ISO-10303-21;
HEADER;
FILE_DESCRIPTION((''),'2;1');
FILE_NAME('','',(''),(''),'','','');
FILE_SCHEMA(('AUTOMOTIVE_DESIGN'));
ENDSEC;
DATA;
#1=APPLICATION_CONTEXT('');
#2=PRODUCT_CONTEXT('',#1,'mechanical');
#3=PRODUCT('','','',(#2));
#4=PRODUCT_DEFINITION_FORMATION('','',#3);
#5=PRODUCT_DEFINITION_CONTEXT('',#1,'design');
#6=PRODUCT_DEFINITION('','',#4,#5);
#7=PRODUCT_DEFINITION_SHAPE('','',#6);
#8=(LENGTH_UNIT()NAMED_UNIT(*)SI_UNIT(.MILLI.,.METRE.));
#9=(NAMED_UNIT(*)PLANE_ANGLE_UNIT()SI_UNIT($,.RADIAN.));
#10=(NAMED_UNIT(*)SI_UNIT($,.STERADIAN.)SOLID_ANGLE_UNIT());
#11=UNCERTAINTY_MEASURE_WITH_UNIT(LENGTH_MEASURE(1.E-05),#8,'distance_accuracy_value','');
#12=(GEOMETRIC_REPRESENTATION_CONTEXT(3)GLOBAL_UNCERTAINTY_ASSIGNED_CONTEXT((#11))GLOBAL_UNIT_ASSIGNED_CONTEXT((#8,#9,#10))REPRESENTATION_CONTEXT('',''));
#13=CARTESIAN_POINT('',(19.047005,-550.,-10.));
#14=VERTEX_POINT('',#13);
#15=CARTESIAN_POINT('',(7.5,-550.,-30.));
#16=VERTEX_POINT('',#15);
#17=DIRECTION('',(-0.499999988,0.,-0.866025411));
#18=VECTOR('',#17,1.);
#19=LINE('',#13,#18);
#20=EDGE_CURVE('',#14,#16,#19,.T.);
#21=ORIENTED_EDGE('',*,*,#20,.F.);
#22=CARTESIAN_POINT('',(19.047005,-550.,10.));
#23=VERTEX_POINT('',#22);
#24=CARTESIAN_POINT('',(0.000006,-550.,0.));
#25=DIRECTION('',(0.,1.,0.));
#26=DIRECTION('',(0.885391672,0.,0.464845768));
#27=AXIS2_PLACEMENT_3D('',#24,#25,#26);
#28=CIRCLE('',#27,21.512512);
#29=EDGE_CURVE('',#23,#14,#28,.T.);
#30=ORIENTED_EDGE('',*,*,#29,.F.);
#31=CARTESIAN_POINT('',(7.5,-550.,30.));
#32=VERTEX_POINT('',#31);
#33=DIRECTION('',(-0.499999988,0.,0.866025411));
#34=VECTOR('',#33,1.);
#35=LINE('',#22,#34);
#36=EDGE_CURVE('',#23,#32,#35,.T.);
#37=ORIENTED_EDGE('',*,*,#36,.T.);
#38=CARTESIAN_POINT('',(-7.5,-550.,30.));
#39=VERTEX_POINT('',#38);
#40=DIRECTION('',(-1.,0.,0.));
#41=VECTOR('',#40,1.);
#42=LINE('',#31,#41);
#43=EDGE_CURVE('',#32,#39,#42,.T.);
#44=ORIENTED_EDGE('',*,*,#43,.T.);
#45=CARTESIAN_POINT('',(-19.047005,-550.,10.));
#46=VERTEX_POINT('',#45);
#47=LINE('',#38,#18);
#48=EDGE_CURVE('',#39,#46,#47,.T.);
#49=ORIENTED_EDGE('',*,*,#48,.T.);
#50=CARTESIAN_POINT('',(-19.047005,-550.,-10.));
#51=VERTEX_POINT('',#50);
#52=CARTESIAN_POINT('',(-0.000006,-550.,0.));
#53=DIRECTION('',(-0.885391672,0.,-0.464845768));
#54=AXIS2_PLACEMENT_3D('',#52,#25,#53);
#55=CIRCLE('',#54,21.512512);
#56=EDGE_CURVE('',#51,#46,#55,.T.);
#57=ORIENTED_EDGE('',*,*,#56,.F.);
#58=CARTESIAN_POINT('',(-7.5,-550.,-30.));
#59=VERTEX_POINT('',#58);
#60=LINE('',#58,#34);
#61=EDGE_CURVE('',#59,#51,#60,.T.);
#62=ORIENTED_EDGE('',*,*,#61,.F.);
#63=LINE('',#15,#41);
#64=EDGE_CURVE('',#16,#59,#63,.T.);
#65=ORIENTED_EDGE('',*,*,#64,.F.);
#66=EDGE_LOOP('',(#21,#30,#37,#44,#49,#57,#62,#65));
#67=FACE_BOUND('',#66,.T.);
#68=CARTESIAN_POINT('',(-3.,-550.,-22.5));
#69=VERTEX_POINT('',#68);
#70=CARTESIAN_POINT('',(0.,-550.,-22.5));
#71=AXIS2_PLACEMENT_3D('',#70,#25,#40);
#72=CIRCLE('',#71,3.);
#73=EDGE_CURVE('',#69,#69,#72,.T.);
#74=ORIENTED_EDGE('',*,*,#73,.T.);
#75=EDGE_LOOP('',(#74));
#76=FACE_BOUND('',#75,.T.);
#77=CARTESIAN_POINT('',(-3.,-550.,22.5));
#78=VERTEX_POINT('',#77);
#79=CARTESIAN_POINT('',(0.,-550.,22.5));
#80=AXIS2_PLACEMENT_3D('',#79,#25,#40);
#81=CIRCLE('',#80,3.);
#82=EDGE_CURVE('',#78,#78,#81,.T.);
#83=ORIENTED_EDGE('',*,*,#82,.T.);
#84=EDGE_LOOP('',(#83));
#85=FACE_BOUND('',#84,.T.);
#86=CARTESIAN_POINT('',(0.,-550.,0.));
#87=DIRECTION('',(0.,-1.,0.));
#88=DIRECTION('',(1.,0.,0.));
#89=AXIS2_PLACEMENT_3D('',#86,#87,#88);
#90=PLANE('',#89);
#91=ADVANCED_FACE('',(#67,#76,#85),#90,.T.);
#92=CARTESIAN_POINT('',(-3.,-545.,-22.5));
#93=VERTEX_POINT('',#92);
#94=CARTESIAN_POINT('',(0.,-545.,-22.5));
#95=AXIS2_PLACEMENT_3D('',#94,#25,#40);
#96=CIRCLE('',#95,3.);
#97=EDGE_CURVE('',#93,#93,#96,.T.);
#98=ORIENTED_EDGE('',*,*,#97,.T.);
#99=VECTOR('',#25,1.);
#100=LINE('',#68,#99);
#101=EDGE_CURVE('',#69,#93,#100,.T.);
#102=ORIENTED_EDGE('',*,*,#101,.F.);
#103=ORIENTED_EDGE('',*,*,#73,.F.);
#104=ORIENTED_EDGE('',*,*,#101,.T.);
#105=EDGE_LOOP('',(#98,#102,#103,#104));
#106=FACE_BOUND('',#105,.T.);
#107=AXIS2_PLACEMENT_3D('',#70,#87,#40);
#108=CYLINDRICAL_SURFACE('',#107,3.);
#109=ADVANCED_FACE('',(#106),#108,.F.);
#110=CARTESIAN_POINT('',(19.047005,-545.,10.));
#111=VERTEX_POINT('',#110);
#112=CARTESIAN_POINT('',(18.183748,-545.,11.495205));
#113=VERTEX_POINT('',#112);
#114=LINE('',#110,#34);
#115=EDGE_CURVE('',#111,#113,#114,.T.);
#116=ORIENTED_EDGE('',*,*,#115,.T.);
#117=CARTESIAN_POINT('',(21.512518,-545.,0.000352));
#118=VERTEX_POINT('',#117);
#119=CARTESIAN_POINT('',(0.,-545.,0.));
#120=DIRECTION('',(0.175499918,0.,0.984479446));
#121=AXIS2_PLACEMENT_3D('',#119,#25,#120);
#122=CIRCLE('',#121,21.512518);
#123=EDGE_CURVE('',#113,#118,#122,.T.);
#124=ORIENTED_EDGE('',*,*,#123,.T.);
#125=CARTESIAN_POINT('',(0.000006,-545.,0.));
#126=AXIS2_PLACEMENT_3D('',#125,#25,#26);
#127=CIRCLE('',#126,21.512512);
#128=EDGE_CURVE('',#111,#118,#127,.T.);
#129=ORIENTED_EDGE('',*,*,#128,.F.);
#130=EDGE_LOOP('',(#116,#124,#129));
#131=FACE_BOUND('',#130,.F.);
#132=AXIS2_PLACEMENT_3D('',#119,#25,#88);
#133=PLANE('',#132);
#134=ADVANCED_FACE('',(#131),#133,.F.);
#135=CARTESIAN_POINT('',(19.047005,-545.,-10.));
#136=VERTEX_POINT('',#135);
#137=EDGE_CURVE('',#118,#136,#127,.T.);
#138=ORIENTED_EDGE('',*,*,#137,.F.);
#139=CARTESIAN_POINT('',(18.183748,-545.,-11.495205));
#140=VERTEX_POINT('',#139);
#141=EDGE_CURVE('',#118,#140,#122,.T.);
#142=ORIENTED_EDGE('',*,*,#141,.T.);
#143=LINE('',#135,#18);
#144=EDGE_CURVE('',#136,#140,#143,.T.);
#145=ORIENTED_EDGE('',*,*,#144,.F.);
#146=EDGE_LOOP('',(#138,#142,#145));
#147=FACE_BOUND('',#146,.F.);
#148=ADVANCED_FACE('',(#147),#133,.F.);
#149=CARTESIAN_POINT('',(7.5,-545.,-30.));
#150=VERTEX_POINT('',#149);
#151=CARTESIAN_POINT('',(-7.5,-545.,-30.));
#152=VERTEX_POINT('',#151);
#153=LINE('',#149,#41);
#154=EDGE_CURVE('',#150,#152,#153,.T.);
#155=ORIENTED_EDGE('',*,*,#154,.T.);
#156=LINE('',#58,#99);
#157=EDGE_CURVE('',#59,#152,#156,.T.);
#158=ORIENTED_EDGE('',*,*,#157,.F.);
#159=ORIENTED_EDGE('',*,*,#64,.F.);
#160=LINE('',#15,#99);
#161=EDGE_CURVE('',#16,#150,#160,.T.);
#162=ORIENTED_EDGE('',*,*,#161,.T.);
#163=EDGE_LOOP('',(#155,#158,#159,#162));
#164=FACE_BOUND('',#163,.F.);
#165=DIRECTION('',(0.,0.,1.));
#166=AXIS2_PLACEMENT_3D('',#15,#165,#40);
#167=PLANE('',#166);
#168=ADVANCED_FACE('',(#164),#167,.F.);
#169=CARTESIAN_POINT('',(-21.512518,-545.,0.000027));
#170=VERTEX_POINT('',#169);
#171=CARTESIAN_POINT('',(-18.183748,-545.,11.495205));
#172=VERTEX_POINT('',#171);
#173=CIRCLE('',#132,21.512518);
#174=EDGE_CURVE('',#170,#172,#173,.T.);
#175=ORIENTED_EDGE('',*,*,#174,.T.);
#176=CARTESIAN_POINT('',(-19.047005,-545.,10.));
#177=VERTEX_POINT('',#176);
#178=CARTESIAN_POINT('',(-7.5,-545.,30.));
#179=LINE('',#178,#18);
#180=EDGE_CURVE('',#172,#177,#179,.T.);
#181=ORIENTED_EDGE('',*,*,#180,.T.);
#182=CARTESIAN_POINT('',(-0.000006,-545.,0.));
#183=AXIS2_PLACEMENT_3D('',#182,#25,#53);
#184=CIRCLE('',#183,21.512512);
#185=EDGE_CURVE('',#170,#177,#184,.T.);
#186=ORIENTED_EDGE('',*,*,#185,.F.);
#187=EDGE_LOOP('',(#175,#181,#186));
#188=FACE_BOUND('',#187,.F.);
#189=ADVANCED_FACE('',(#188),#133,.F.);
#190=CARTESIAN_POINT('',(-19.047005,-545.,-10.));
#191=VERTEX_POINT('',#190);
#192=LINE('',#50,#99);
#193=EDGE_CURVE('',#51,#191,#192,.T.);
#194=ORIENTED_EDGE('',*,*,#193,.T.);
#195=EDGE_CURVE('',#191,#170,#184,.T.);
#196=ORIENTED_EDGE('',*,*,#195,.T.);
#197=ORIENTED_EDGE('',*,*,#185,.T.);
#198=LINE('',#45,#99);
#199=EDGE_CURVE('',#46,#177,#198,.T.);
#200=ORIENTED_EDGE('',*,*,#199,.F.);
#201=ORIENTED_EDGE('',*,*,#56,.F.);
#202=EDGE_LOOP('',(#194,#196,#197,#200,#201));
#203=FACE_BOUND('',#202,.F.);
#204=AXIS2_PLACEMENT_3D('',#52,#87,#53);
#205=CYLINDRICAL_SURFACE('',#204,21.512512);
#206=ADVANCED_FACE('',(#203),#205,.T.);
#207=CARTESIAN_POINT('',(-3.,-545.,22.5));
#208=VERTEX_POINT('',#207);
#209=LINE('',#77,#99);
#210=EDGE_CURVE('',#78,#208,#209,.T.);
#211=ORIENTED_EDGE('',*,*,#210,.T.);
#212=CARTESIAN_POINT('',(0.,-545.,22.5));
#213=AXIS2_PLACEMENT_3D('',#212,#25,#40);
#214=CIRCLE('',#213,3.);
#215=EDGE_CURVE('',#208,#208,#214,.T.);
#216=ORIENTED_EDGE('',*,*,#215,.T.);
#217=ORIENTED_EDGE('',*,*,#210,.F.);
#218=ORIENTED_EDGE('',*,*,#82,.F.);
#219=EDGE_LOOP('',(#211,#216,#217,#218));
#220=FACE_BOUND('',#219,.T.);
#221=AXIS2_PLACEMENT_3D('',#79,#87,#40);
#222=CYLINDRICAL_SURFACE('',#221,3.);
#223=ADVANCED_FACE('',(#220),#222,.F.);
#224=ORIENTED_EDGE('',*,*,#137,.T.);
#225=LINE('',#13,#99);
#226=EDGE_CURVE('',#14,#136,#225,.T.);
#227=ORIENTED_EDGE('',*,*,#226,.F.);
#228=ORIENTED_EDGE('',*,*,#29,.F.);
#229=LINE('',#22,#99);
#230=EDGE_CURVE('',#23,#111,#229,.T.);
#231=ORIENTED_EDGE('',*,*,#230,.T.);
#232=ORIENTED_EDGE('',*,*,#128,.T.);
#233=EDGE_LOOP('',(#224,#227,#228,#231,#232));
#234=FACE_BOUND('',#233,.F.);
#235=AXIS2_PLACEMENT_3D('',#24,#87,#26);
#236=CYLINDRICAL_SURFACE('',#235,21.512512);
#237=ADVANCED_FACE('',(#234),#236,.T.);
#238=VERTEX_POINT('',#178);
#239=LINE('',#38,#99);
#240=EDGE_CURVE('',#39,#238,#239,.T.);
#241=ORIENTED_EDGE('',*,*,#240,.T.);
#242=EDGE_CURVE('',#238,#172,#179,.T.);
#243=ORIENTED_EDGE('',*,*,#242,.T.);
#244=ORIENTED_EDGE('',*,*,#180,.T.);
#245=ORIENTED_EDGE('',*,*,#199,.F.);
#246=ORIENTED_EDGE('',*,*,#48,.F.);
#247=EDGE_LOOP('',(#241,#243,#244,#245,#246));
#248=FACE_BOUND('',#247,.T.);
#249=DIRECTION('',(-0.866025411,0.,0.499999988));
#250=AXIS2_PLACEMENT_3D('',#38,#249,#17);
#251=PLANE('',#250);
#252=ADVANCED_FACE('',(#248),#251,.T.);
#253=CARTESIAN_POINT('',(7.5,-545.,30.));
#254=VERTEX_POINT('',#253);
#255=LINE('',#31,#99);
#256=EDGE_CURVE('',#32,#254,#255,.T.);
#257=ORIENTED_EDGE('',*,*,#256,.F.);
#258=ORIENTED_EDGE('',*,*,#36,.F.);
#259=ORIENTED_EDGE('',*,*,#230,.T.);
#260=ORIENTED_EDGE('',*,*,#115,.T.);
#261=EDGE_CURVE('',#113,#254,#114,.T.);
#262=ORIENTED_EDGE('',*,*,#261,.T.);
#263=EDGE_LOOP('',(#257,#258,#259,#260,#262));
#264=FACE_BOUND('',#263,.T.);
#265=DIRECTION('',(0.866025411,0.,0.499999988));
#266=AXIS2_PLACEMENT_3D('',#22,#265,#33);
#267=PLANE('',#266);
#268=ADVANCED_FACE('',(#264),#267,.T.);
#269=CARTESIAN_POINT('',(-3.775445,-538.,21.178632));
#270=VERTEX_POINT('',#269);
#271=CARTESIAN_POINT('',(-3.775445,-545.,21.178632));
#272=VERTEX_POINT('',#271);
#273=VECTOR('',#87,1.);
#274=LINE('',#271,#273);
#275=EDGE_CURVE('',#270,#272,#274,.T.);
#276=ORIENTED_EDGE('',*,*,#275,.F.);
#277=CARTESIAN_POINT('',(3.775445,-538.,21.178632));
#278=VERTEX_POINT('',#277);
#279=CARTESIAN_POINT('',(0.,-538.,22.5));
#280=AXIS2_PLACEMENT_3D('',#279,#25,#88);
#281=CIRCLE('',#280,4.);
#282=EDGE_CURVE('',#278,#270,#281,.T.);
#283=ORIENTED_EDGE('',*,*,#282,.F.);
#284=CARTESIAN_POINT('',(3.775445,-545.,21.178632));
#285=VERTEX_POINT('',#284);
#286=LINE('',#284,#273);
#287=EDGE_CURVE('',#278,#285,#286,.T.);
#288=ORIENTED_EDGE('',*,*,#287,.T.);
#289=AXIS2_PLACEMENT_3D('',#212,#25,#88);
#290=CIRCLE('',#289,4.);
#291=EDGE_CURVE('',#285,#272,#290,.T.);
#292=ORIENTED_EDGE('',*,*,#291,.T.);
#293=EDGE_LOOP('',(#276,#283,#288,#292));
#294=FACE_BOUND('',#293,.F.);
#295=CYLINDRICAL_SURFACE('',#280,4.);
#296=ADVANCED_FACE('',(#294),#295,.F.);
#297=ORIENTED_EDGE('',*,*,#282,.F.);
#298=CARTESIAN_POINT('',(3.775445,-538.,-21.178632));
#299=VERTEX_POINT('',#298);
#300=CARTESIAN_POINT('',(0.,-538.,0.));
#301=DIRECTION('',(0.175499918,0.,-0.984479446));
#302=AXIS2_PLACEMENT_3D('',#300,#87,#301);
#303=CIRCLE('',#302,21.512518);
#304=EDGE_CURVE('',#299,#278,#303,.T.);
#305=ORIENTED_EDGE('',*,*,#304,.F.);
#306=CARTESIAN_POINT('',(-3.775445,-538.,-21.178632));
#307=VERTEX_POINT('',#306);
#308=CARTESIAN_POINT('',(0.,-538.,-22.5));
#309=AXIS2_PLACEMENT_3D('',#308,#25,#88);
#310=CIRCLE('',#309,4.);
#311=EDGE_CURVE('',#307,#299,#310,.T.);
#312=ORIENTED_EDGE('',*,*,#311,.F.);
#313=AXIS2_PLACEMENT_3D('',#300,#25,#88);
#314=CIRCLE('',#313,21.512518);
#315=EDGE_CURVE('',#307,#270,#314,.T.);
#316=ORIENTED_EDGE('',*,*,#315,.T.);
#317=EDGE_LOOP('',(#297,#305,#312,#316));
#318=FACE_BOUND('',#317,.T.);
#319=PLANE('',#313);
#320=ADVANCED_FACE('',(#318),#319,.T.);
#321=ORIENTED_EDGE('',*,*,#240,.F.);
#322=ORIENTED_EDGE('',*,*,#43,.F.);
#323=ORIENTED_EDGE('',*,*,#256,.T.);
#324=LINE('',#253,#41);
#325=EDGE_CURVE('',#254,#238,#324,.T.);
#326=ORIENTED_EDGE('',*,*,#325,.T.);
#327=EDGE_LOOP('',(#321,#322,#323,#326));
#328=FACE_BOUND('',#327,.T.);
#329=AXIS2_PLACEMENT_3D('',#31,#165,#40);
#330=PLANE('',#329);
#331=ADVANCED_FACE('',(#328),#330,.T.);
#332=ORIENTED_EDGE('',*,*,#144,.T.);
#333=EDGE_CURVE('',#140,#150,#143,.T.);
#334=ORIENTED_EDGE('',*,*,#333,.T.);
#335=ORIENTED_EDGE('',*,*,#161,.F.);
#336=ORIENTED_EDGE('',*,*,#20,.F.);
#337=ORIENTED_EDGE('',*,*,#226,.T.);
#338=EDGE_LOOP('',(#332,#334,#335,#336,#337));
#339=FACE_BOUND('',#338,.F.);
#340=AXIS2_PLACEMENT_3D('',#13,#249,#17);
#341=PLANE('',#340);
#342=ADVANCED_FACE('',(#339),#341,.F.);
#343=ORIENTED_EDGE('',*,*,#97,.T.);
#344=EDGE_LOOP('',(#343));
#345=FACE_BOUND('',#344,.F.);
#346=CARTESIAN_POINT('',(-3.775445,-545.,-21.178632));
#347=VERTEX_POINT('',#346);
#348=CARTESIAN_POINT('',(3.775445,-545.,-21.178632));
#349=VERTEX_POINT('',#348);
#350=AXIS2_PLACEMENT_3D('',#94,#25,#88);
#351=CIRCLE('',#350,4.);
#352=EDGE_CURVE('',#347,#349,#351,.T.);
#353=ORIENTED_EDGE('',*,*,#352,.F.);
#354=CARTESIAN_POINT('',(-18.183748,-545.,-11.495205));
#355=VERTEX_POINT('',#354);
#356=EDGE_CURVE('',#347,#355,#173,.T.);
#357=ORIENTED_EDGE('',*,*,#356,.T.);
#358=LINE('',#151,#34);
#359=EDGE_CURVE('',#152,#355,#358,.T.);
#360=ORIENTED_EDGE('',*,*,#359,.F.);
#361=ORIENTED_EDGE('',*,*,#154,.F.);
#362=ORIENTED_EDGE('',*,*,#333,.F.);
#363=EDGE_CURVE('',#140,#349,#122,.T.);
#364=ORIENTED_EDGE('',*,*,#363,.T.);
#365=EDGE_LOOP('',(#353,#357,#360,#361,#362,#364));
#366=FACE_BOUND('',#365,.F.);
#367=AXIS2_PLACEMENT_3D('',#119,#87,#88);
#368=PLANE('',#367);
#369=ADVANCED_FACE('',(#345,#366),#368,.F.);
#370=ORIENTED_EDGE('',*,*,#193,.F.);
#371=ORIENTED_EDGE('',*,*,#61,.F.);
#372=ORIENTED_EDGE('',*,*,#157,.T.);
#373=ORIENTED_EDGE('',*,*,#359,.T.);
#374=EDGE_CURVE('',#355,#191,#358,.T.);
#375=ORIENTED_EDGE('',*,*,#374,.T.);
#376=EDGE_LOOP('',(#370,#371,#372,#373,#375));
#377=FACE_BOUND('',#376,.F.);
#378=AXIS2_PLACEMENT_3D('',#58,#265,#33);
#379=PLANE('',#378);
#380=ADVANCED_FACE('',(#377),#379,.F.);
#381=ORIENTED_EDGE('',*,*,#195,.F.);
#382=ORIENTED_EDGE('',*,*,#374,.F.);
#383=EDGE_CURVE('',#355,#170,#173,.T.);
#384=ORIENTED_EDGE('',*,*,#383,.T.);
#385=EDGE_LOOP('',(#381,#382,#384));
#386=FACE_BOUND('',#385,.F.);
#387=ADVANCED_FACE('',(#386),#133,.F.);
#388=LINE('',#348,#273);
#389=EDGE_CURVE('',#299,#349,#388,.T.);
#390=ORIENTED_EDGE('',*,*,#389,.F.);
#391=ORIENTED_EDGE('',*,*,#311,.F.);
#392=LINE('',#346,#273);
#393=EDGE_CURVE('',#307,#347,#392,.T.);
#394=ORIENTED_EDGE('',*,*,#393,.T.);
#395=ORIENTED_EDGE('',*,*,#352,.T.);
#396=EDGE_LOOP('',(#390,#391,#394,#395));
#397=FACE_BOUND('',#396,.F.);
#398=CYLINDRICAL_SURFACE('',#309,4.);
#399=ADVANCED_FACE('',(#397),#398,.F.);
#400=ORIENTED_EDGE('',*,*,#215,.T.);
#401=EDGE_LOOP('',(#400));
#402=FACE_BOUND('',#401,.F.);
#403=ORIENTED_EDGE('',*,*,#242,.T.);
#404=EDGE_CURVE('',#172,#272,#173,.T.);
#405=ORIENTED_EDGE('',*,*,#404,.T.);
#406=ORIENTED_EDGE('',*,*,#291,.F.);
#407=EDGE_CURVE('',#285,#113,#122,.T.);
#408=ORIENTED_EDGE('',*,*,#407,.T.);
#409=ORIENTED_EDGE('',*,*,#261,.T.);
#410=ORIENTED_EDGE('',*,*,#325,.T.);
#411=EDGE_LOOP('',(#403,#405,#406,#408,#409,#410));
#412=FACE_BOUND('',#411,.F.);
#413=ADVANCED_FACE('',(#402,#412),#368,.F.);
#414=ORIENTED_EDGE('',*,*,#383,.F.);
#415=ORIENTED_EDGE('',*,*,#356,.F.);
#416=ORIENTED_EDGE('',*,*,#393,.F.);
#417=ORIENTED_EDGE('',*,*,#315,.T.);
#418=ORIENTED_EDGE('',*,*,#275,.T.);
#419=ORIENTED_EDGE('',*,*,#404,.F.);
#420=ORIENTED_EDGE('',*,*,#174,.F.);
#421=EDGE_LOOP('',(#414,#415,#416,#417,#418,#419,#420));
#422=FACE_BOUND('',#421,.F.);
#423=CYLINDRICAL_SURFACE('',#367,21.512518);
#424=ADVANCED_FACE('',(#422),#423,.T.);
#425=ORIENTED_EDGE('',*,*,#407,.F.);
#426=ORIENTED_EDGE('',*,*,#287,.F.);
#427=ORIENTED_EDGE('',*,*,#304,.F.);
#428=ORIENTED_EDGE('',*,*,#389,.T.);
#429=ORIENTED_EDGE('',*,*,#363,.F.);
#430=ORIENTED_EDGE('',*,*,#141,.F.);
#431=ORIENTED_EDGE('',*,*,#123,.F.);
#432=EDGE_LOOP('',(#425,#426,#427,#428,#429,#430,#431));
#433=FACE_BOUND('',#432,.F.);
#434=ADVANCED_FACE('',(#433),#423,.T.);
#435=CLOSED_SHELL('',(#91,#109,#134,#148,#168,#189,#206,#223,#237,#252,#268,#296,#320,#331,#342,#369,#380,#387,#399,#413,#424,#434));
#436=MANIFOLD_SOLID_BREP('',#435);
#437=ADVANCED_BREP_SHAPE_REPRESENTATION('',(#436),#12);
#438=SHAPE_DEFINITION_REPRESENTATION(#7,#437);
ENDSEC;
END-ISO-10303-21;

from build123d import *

# Parameters (mm, degrees)
SKETCH016_R      = 4
EXTRUDE016_DEPTH = 10
SKETCH015_R      = 21.512518
EXTRUDE015_DEPTH = 7
SKETCH014_R      = 3
EXTRUDE014_DEPTH = 5


with BuildPart() as extrude016:
    # Sketch016 → Extrude016 (new body)
    with BuildSketch(Plane(origin=(0, -538, -28), x_dir=(1, 0, 0), z_dir=(0, 1, 0))):
        with Locations((0, -22.5)):
            Circle(SKETCH016_R)
        with Locations((0, 22.5)):
            Circle(SKETCH016_R)
    extrude(amount=-EXTRUDE016_DEPTH)


with BuildPart() as cut007:
    # Sketch015 → Extrude015 (new body)
    with BuildSketch(Plane(origin=(0, -545, -28), x_dir=(1, 0, 0), z_dir=(0, 1, 0))):
        Circle(SKETCH015_R)
    extrude(amount=EXTRUDE015_DEPTH)

    # Cut007: cut Extrude016
    add(extrude016.part, mode=Mode.SUBTRACT)


with BuildPart() as fusion:
    # Sketch014 → Extrude014 (new body)
    with BuildSketch(Plane(origin=(0, -550, 0), x_dir=(-1, 0, 0), z_dir=(0, 1, 0))):
        with BuildLine():
            Line((-19.047005, -18), (-7.5, 2))
            Line((-7.5, 2), (7.5, 2))
            Line((7.5, 2), (19.047005, -18))
            ThreePointArc((19.047005, -38), (21.512518, -28), (19.047005, -18))
            Line((7.5, -58), (19.047005, -38))
            Line((-7.5, -58), (7.5, -58))
            Line((-19.047005, -38), (-7.5, -58))
            ThreePointArc((-19.047005, -18), (-21.512518, -28), (-19.047005, -38))
        make_face()
        with Locations((0, -5.5)):
            Circle(SKETCH014_R, mode=Mode.SUBTRACT)
        with Locations((0, -50.5)):
            Circle(SKETCH014_R, mode=Mode.SUBTRACT)
    extrude(amount=EXTRUDE014_DEPTH)

    # Fusion: union Cut007
    add(cut007.part)


with BuildPart() as fusion_1:
    # Fusion placement: moved
    add(fusion.part.moved(Location((0, 0, 28))))


solid = fusion_1.part
